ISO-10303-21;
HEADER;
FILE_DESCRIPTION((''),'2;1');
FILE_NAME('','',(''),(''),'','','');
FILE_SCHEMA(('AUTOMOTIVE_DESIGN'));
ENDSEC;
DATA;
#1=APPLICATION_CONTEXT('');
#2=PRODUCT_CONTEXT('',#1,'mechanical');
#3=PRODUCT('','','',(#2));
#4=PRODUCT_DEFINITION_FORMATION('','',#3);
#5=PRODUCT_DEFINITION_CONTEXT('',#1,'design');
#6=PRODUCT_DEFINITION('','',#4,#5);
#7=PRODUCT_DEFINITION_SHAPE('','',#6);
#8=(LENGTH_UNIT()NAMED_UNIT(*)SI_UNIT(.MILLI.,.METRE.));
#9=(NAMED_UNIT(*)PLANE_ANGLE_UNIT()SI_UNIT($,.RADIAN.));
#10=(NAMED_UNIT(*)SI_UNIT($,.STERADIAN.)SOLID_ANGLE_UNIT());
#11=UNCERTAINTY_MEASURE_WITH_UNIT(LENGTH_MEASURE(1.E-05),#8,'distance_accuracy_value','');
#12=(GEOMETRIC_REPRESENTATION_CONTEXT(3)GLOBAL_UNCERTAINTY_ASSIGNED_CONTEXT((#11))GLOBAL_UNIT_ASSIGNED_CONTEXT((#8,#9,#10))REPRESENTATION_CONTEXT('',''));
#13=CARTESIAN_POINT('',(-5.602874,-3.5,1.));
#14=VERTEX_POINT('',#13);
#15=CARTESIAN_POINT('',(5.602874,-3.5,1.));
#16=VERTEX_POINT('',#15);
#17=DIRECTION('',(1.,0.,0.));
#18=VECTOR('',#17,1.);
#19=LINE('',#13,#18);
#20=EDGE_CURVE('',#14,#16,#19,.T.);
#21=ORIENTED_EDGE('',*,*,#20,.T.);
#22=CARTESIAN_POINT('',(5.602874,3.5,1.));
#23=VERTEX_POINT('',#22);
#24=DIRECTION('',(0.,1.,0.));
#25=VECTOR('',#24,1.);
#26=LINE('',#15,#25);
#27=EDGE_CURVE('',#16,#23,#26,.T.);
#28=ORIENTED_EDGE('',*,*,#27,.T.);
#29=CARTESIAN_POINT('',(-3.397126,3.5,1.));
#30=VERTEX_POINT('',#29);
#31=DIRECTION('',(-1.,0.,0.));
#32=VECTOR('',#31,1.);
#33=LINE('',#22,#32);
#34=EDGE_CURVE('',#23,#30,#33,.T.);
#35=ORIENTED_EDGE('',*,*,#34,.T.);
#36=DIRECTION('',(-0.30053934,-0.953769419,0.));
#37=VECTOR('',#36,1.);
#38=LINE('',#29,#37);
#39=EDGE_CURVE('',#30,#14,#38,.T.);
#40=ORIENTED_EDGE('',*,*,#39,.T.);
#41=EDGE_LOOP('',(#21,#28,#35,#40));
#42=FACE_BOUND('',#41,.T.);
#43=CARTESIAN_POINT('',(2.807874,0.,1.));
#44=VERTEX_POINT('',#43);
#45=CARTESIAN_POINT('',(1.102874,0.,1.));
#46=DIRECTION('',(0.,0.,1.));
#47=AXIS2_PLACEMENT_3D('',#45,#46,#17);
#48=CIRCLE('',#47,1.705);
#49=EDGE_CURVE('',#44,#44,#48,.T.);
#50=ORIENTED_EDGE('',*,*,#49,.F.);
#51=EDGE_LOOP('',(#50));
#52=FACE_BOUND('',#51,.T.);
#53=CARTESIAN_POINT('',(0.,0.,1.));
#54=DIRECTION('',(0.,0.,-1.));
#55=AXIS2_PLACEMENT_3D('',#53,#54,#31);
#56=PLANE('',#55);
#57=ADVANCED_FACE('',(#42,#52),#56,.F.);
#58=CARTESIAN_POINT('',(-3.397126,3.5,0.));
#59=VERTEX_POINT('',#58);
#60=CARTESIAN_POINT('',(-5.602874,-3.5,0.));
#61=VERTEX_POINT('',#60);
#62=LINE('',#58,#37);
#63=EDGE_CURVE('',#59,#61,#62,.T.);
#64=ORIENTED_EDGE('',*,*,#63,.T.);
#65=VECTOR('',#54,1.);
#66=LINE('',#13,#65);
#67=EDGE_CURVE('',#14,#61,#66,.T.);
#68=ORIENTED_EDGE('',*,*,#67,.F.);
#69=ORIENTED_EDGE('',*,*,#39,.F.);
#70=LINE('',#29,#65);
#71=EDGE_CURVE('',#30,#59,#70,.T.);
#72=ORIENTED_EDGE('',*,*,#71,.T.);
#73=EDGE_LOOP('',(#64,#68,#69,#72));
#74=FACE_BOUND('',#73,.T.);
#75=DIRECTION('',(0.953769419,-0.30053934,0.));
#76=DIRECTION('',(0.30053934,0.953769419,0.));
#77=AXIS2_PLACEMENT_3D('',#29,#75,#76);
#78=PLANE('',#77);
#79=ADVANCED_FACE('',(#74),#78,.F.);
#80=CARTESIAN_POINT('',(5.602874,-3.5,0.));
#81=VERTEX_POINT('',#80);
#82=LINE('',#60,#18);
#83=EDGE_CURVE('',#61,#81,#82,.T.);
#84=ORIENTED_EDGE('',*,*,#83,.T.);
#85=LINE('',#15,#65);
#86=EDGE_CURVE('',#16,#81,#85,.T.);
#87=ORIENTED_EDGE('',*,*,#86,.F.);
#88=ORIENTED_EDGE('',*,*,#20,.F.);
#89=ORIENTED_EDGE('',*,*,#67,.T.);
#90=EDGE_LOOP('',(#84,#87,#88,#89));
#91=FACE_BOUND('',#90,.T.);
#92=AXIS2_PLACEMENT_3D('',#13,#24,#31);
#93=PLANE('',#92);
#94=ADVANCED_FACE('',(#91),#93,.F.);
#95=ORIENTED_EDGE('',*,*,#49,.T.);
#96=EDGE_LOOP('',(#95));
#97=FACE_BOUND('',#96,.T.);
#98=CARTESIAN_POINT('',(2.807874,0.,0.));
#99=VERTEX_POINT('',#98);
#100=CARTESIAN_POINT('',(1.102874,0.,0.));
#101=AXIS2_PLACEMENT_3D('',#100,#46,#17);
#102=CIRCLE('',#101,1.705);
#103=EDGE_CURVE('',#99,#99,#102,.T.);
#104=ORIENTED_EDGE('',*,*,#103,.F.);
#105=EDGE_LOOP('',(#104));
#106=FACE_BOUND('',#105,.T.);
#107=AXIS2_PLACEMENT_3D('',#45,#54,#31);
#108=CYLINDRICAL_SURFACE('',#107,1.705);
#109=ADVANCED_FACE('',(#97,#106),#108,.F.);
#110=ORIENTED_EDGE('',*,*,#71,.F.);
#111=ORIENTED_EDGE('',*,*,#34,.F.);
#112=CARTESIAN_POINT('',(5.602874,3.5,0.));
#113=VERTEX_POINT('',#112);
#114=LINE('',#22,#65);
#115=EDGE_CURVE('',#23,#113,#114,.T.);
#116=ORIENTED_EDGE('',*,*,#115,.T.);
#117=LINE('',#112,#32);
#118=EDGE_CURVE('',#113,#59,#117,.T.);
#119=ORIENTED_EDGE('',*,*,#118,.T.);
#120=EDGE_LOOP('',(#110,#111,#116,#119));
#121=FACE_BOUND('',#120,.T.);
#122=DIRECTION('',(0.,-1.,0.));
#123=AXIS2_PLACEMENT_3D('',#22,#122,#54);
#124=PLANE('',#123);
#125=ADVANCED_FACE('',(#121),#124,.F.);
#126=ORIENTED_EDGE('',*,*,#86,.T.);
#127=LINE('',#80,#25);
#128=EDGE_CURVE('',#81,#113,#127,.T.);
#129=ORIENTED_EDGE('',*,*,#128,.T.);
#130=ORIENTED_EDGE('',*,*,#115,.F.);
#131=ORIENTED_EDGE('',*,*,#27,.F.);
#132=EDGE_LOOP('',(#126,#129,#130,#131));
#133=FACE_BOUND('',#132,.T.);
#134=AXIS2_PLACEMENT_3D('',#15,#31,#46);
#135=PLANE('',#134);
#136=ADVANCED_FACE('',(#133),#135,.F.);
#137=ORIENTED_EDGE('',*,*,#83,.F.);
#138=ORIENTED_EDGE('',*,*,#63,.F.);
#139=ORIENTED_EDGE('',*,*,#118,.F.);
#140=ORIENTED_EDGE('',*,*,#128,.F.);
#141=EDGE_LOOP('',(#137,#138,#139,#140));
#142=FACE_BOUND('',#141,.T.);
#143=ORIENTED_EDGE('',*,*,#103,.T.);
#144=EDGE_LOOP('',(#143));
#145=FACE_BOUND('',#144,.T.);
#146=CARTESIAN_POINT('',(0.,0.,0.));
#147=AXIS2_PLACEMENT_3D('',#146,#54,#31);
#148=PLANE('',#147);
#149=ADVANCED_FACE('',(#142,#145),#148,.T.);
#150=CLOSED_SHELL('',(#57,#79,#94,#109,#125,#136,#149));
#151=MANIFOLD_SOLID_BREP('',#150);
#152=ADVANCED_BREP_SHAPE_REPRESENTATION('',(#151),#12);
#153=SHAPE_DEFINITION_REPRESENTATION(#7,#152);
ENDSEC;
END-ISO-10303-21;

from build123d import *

# Parameters (mm, degrees)
SKETCH1_R           = 1.705
BOSS_EXTRUDE1_DEPTH = 1


with BuildPart() as part:
    # Sketch1 → Boss-Extrude1 (new body)
    with BuildSketch(Plane.XY):
        Polygon((-3.397125795, 3.5), (-5.602874205, -3.5), (5.602874205, -3.5), (5.602874205, 3.5), align=None)
        with Locations((1.102874205, 0)):
            Circle(SKETCH1_R, mode=Mode.SUBTRACT)
    extrude(amount=BOSS_EXTRUDE1_DEPTH)


solid = part.part
